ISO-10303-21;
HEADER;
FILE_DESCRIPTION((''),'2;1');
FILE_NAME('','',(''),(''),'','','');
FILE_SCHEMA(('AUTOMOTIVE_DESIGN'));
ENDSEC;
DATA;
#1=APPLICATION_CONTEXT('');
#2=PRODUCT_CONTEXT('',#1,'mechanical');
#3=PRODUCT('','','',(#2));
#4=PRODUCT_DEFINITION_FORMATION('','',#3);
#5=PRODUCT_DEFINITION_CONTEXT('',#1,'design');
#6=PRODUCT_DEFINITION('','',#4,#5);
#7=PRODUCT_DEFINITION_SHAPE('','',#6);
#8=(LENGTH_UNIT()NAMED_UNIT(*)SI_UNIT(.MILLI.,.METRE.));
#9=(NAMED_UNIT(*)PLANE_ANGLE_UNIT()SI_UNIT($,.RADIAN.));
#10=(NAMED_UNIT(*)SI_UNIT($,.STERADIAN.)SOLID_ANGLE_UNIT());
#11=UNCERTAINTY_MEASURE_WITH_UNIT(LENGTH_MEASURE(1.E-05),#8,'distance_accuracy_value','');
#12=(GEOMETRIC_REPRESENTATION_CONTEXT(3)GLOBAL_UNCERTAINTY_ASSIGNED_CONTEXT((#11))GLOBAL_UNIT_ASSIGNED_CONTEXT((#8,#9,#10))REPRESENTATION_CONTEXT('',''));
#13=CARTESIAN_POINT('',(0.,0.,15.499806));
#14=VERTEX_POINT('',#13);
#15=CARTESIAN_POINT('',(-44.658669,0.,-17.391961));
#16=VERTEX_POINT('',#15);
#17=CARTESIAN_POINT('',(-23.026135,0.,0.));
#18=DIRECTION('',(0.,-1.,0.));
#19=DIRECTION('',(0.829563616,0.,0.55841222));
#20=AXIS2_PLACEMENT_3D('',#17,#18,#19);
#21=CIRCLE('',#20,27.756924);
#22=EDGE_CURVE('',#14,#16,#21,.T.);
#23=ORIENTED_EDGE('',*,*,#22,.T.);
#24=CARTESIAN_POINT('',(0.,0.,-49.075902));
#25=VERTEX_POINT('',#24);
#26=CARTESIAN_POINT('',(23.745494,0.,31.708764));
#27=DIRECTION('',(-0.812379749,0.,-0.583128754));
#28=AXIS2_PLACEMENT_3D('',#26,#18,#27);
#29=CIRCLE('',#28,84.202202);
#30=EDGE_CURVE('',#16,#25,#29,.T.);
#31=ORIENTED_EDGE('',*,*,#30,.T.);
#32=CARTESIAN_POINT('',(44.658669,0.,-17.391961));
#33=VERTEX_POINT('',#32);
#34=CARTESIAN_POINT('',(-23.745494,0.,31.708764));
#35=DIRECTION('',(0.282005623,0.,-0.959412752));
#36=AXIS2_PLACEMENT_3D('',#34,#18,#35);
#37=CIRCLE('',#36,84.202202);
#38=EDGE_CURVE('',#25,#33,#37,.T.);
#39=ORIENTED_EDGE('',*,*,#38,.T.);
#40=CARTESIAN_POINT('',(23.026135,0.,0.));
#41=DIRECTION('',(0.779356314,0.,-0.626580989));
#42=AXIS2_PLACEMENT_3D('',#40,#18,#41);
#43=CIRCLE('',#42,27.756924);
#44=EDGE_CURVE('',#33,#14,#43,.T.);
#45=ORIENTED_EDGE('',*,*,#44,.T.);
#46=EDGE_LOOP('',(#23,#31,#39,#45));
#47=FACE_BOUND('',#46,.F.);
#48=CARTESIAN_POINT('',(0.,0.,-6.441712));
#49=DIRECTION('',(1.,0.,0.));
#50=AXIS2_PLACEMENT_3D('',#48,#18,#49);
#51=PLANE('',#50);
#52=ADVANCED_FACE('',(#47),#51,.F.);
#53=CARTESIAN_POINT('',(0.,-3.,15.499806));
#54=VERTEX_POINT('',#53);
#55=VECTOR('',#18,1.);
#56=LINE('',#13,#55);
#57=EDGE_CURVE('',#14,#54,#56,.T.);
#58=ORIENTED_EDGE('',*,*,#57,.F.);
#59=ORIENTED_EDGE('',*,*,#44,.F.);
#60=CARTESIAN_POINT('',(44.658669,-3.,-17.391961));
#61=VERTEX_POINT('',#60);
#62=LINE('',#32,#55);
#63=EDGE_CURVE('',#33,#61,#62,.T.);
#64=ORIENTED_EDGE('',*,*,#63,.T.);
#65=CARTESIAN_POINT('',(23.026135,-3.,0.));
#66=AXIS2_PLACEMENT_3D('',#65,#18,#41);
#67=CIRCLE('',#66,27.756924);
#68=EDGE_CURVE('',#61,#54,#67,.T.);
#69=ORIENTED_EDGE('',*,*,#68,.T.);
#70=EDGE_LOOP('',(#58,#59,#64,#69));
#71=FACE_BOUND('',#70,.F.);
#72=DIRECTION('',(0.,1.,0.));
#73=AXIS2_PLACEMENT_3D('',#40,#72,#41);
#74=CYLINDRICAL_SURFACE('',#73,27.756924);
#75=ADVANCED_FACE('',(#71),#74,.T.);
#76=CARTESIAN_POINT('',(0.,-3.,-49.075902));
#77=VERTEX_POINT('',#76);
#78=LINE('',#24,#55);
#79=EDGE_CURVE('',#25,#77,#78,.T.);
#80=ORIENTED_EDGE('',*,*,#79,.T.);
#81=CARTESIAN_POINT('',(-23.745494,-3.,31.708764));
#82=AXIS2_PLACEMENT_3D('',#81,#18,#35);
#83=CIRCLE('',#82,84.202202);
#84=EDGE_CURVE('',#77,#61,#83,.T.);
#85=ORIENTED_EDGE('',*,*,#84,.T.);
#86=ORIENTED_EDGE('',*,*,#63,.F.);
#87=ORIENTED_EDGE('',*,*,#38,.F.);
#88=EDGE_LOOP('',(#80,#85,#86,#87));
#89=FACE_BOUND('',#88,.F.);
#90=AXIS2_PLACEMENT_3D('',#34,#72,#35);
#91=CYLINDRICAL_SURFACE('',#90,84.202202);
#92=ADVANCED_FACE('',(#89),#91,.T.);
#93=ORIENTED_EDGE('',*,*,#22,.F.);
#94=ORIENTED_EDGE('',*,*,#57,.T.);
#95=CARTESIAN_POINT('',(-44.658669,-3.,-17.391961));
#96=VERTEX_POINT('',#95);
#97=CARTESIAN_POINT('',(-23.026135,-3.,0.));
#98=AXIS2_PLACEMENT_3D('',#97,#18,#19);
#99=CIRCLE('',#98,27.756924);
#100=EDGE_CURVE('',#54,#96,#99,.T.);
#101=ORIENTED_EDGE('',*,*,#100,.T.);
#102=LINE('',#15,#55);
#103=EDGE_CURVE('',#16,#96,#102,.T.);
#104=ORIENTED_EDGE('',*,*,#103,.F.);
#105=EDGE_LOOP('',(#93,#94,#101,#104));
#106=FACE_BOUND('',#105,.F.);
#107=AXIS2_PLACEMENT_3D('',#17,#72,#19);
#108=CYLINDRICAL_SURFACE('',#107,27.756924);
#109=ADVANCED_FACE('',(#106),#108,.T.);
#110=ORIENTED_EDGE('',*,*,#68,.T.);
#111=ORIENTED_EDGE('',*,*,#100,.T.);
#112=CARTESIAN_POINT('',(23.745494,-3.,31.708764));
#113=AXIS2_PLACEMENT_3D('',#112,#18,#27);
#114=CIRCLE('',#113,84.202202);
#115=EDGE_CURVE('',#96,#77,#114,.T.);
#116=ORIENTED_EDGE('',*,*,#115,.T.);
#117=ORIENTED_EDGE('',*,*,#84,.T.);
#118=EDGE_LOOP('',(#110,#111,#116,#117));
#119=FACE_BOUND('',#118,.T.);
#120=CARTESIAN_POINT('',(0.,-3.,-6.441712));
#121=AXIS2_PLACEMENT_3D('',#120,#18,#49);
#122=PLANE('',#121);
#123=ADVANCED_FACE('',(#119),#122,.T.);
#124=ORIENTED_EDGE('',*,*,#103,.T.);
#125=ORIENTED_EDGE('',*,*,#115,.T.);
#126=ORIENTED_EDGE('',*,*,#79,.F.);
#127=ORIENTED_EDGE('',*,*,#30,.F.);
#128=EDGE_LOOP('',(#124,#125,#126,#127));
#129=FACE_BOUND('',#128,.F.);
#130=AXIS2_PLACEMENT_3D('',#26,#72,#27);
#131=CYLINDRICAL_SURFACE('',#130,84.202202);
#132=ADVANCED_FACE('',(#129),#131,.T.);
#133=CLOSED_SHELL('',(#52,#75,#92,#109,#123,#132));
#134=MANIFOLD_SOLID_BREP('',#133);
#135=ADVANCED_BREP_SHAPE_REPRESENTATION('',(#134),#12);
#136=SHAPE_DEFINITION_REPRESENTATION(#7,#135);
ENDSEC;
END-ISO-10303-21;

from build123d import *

# Parameters (mm, degrees)
F1_DEPTH = 3


with BuildPart() as f1:
    # F0 (on Front) → F1 (new body)
    with BuildSketch(Plane.XZ):
        with BuildLine():
            ThreePointArc((44.658669, -17.391961), (39.486773, 22.349368), (0, 15.499806))
            ThreePointArc((0, 15.499806), (-39.486773, 22.349368), (-44.658669, -17.391961))
            ThreePointArc((-44.658669, -17.391961), (-24.976758, -36.965488), (0, -49.075902))
            ThreePointArc((0, -49.075902), (24.976758, -36.965488), (44.658669, -17.391961))
        make_face()
    extrude(amount=F1_DEPTH)


solid = f1.part
